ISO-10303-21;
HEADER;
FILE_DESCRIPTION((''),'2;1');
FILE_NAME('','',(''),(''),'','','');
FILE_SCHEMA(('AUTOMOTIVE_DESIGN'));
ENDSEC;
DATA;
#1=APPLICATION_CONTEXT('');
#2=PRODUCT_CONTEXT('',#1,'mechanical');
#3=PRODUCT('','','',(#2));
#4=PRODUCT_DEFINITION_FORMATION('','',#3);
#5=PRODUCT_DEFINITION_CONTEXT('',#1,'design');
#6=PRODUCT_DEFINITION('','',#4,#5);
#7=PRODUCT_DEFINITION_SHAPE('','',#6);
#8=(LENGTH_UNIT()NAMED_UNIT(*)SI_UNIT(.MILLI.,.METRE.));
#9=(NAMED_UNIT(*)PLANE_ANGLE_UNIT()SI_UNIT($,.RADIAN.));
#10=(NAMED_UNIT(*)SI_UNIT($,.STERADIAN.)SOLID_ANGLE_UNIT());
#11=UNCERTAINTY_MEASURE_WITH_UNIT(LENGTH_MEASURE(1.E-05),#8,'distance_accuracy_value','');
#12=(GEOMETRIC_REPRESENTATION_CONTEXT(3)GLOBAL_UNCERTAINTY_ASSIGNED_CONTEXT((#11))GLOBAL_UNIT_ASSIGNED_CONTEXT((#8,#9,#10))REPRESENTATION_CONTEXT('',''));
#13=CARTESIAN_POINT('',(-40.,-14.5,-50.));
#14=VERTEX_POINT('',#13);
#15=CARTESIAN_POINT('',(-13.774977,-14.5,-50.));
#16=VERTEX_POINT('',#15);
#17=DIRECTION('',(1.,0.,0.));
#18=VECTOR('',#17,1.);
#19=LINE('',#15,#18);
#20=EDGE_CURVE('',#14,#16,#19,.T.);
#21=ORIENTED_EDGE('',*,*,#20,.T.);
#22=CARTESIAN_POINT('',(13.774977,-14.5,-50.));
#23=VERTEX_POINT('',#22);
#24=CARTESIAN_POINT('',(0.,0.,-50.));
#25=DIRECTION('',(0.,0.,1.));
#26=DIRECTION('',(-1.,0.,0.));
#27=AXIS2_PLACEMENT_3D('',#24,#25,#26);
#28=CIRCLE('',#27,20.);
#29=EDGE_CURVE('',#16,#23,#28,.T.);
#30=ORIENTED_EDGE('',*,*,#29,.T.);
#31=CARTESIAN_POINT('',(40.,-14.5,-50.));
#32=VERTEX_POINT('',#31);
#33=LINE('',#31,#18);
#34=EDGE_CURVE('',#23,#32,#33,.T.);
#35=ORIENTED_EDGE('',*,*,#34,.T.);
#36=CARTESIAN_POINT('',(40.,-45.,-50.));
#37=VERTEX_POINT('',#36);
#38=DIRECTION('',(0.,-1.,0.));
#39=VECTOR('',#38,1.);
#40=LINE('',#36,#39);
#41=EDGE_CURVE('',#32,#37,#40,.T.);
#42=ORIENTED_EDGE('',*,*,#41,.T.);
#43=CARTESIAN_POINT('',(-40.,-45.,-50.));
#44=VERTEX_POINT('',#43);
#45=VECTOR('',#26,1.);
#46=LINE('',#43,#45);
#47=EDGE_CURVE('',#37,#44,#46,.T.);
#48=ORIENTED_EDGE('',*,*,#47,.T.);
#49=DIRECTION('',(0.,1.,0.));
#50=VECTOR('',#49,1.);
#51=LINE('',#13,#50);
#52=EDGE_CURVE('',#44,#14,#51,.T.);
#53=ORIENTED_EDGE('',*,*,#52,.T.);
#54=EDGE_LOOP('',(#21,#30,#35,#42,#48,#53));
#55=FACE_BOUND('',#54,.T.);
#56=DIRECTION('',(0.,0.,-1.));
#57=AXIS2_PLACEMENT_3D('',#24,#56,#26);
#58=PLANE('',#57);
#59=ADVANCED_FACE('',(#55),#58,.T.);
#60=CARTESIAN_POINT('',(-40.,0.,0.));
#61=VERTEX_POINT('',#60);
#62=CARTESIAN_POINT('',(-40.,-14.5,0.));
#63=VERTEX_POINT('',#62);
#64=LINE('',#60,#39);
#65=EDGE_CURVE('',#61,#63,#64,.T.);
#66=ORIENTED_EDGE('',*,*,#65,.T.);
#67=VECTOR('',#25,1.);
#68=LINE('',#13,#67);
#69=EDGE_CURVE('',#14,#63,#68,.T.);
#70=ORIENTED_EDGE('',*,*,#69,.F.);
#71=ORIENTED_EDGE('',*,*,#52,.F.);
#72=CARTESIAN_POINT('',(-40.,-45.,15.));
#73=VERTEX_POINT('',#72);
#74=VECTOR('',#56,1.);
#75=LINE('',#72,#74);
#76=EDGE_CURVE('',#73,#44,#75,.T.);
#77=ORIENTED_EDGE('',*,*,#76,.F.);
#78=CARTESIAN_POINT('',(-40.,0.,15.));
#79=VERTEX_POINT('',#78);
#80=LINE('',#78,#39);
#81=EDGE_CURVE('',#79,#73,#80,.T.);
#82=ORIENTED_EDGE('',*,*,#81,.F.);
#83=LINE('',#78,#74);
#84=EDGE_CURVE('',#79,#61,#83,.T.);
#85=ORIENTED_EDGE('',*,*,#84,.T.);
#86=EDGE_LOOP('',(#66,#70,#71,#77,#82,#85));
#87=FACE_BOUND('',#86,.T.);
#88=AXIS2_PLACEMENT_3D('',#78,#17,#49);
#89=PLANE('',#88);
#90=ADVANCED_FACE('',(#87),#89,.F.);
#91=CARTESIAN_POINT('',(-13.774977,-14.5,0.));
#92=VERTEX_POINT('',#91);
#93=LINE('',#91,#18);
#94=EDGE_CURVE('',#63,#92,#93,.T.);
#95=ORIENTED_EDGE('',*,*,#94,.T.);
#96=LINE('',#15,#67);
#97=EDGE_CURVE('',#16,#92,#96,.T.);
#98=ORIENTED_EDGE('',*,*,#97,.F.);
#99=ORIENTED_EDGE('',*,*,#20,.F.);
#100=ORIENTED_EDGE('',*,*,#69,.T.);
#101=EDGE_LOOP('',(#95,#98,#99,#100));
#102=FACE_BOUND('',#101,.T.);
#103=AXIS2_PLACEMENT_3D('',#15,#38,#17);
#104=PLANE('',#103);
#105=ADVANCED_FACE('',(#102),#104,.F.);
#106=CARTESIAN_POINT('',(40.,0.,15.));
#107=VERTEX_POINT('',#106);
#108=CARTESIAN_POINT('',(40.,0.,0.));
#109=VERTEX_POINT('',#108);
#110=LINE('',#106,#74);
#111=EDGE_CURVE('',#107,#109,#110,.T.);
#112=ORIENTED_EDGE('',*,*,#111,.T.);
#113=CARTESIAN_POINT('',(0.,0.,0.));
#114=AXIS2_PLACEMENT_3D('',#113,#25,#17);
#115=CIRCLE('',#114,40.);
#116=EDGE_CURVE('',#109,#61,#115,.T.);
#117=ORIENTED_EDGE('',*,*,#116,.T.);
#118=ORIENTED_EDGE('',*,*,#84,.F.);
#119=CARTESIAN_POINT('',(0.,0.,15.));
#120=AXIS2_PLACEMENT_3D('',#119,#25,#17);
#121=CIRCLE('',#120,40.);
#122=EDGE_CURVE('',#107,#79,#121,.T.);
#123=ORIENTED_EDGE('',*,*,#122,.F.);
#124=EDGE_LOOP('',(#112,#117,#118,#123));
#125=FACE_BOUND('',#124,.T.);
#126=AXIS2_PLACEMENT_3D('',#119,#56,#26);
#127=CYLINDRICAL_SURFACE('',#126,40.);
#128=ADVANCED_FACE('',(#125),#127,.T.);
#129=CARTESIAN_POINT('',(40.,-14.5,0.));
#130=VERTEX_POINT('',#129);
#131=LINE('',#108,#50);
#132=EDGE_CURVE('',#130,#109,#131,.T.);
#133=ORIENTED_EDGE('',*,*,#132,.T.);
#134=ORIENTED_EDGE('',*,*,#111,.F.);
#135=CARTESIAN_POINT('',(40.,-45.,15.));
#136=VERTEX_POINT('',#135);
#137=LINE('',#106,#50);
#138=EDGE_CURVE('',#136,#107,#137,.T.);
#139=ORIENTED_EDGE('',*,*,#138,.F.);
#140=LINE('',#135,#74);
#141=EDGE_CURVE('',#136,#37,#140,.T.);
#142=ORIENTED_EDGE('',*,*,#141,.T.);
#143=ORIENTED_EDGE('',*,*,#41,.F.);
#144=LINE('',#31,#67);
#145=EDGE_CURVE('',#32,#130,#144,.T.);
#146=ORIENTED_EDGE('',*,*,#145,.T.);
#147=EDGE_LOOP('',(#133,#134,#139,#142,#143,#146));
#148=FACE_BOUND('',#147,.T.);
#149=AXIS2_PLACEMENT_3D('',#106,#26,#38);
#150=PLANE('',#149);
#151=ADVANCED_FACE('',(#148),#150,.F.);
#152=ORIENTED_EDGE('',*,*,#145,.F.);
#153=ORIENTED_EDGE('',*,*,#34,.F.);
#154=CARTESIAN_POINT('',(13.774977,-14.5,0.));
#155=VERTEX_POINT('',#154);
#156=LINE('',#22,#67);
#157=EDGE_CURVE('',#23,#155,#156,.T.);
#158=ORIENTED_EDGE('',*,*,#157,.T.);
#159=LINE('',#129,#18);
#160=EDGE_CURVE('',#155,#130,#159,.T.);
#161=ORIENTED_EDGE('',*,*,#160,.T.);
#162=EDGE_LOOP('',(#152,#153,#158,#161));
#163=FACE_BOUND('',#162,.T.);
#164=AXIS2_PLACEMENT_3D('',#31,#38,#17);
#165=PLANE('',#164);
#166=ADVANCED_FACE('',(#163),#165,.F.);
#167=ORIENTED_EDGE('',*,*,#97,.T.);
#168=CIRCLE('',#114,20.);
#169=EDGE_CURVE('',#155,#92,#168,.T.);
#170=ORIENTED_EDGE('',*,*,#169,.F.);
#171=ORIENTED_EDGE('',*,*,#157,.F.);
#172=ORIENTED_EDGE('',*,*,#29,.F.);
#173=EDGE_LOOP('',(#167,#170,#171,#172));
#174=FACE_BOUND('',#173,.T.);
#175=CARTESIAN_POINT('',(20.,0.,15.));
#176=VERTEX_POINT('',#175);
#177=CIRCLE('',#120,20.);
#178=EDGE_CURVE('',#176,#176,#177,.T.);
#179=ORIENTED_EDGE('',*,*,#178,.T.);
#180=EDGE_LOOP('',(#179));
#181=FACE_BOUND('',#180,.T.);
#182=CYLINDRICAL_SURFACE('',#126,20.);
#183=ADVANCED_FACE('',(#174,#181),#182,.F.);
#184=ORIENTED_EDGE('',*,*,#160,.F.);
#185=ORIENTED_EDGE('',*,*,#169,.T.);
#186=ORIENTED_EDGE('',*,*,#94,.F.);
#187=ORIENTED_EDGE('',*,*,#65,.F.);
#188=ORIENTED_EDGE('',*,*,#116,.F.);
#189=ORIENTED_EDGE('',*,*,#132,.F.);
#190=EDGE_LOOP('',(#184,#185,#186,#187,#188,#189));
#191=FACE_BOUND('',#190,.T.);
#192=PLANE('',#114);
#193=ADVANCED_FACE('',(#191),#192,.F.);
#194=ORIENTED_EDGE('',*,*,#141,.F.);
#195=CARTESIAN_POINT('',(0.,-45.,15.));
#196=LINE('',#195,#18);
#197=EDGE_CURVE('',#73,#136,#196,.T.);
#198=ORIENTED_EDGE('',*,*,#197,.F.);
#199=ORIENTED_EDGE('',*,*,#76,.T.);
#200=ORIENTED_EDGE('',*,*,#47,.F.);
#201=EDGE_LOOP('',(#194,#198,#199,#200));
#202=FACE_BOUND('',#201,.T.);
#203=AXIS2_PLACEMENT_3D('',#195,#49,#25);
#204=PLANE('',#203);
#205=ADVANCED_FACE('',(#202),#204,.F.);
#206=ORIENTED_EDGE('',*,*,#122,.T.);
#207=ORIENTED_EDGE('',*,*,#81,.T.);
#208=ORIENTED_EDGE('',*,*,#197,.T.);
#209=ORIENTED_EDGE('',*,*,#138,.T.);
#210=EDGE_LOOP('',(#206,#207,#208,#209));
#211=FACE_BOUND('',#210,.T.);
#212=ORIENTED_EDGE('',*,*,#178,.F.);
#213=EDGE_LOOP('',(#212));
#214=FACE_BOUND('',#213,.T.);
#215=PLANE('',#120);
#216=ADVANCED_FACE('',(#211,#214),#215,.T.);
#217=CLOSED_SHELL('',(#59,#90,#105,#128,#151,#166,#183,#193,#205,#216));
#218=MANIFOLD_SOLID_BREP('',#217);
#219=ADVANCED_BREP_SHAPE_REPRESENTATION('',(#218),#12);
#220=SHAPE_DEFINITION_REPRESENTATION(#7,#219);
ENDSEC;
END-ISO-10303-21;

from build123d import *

# Parameters (mm, degrees)
SKETCH1_R           = 40
SKETCH1_R_2         = 20
BOSS_EXTRUDE1_DEPTH = 15
BOSS_EXTRUDE2_START = 50
BOSS_EXTRUDE2_DEPTH = 50


with BuildPart() as part:
    # Sketch1 → Boss-Extrude1 (new body)
    # profile 1 of 2: a face of its own
    with BuildSketch(Plane.XY):
        Circle(SKETCH1_R)
        Circle(SKETCH1_R_2, mode=Mode.SUBTRACT)
    # profile 2 of 2: a face of its own
    with BuildSketch(Plane.XY):
        with BuildLine():
            ThreePointArc((40, 0), (0, -40), (-40, 0))
            Line((-40, 0), (-40, -45))
            Line((-40, -45), (40, -45))
            Line((40, -45), (40, 0))
        make_face()
    extrude(amount=BOSS_EXTRUDE1_DEPTH)

    # Sketch3 → Boss-Extrude2 (add)
    with BuildSketch(Plane(origin=(0, 0, 0), x_dir=(-1, 0, 0), z_dir=(0, 0, -1)).offset(BOSS_EXTRUDE2_START)):
        with BuildLine():
            Line((13.774977314, -14.5), (40, -14.5))
            Line((40, -14.5), (40, -45))
            Line((40, -45), (-40, -45))
            Line((-40, -45), (-40, -14.5))
            Line((-40, -14.5), (-13.774977314, -14.5))
            ThreePointArc((-13.774977314, -14.5), (0, -20), (13.774977314, -14.5))
        make_face()
    extrude(amount=-BOSS_EXTRUDE2_DEPTH)


solid = part.part
